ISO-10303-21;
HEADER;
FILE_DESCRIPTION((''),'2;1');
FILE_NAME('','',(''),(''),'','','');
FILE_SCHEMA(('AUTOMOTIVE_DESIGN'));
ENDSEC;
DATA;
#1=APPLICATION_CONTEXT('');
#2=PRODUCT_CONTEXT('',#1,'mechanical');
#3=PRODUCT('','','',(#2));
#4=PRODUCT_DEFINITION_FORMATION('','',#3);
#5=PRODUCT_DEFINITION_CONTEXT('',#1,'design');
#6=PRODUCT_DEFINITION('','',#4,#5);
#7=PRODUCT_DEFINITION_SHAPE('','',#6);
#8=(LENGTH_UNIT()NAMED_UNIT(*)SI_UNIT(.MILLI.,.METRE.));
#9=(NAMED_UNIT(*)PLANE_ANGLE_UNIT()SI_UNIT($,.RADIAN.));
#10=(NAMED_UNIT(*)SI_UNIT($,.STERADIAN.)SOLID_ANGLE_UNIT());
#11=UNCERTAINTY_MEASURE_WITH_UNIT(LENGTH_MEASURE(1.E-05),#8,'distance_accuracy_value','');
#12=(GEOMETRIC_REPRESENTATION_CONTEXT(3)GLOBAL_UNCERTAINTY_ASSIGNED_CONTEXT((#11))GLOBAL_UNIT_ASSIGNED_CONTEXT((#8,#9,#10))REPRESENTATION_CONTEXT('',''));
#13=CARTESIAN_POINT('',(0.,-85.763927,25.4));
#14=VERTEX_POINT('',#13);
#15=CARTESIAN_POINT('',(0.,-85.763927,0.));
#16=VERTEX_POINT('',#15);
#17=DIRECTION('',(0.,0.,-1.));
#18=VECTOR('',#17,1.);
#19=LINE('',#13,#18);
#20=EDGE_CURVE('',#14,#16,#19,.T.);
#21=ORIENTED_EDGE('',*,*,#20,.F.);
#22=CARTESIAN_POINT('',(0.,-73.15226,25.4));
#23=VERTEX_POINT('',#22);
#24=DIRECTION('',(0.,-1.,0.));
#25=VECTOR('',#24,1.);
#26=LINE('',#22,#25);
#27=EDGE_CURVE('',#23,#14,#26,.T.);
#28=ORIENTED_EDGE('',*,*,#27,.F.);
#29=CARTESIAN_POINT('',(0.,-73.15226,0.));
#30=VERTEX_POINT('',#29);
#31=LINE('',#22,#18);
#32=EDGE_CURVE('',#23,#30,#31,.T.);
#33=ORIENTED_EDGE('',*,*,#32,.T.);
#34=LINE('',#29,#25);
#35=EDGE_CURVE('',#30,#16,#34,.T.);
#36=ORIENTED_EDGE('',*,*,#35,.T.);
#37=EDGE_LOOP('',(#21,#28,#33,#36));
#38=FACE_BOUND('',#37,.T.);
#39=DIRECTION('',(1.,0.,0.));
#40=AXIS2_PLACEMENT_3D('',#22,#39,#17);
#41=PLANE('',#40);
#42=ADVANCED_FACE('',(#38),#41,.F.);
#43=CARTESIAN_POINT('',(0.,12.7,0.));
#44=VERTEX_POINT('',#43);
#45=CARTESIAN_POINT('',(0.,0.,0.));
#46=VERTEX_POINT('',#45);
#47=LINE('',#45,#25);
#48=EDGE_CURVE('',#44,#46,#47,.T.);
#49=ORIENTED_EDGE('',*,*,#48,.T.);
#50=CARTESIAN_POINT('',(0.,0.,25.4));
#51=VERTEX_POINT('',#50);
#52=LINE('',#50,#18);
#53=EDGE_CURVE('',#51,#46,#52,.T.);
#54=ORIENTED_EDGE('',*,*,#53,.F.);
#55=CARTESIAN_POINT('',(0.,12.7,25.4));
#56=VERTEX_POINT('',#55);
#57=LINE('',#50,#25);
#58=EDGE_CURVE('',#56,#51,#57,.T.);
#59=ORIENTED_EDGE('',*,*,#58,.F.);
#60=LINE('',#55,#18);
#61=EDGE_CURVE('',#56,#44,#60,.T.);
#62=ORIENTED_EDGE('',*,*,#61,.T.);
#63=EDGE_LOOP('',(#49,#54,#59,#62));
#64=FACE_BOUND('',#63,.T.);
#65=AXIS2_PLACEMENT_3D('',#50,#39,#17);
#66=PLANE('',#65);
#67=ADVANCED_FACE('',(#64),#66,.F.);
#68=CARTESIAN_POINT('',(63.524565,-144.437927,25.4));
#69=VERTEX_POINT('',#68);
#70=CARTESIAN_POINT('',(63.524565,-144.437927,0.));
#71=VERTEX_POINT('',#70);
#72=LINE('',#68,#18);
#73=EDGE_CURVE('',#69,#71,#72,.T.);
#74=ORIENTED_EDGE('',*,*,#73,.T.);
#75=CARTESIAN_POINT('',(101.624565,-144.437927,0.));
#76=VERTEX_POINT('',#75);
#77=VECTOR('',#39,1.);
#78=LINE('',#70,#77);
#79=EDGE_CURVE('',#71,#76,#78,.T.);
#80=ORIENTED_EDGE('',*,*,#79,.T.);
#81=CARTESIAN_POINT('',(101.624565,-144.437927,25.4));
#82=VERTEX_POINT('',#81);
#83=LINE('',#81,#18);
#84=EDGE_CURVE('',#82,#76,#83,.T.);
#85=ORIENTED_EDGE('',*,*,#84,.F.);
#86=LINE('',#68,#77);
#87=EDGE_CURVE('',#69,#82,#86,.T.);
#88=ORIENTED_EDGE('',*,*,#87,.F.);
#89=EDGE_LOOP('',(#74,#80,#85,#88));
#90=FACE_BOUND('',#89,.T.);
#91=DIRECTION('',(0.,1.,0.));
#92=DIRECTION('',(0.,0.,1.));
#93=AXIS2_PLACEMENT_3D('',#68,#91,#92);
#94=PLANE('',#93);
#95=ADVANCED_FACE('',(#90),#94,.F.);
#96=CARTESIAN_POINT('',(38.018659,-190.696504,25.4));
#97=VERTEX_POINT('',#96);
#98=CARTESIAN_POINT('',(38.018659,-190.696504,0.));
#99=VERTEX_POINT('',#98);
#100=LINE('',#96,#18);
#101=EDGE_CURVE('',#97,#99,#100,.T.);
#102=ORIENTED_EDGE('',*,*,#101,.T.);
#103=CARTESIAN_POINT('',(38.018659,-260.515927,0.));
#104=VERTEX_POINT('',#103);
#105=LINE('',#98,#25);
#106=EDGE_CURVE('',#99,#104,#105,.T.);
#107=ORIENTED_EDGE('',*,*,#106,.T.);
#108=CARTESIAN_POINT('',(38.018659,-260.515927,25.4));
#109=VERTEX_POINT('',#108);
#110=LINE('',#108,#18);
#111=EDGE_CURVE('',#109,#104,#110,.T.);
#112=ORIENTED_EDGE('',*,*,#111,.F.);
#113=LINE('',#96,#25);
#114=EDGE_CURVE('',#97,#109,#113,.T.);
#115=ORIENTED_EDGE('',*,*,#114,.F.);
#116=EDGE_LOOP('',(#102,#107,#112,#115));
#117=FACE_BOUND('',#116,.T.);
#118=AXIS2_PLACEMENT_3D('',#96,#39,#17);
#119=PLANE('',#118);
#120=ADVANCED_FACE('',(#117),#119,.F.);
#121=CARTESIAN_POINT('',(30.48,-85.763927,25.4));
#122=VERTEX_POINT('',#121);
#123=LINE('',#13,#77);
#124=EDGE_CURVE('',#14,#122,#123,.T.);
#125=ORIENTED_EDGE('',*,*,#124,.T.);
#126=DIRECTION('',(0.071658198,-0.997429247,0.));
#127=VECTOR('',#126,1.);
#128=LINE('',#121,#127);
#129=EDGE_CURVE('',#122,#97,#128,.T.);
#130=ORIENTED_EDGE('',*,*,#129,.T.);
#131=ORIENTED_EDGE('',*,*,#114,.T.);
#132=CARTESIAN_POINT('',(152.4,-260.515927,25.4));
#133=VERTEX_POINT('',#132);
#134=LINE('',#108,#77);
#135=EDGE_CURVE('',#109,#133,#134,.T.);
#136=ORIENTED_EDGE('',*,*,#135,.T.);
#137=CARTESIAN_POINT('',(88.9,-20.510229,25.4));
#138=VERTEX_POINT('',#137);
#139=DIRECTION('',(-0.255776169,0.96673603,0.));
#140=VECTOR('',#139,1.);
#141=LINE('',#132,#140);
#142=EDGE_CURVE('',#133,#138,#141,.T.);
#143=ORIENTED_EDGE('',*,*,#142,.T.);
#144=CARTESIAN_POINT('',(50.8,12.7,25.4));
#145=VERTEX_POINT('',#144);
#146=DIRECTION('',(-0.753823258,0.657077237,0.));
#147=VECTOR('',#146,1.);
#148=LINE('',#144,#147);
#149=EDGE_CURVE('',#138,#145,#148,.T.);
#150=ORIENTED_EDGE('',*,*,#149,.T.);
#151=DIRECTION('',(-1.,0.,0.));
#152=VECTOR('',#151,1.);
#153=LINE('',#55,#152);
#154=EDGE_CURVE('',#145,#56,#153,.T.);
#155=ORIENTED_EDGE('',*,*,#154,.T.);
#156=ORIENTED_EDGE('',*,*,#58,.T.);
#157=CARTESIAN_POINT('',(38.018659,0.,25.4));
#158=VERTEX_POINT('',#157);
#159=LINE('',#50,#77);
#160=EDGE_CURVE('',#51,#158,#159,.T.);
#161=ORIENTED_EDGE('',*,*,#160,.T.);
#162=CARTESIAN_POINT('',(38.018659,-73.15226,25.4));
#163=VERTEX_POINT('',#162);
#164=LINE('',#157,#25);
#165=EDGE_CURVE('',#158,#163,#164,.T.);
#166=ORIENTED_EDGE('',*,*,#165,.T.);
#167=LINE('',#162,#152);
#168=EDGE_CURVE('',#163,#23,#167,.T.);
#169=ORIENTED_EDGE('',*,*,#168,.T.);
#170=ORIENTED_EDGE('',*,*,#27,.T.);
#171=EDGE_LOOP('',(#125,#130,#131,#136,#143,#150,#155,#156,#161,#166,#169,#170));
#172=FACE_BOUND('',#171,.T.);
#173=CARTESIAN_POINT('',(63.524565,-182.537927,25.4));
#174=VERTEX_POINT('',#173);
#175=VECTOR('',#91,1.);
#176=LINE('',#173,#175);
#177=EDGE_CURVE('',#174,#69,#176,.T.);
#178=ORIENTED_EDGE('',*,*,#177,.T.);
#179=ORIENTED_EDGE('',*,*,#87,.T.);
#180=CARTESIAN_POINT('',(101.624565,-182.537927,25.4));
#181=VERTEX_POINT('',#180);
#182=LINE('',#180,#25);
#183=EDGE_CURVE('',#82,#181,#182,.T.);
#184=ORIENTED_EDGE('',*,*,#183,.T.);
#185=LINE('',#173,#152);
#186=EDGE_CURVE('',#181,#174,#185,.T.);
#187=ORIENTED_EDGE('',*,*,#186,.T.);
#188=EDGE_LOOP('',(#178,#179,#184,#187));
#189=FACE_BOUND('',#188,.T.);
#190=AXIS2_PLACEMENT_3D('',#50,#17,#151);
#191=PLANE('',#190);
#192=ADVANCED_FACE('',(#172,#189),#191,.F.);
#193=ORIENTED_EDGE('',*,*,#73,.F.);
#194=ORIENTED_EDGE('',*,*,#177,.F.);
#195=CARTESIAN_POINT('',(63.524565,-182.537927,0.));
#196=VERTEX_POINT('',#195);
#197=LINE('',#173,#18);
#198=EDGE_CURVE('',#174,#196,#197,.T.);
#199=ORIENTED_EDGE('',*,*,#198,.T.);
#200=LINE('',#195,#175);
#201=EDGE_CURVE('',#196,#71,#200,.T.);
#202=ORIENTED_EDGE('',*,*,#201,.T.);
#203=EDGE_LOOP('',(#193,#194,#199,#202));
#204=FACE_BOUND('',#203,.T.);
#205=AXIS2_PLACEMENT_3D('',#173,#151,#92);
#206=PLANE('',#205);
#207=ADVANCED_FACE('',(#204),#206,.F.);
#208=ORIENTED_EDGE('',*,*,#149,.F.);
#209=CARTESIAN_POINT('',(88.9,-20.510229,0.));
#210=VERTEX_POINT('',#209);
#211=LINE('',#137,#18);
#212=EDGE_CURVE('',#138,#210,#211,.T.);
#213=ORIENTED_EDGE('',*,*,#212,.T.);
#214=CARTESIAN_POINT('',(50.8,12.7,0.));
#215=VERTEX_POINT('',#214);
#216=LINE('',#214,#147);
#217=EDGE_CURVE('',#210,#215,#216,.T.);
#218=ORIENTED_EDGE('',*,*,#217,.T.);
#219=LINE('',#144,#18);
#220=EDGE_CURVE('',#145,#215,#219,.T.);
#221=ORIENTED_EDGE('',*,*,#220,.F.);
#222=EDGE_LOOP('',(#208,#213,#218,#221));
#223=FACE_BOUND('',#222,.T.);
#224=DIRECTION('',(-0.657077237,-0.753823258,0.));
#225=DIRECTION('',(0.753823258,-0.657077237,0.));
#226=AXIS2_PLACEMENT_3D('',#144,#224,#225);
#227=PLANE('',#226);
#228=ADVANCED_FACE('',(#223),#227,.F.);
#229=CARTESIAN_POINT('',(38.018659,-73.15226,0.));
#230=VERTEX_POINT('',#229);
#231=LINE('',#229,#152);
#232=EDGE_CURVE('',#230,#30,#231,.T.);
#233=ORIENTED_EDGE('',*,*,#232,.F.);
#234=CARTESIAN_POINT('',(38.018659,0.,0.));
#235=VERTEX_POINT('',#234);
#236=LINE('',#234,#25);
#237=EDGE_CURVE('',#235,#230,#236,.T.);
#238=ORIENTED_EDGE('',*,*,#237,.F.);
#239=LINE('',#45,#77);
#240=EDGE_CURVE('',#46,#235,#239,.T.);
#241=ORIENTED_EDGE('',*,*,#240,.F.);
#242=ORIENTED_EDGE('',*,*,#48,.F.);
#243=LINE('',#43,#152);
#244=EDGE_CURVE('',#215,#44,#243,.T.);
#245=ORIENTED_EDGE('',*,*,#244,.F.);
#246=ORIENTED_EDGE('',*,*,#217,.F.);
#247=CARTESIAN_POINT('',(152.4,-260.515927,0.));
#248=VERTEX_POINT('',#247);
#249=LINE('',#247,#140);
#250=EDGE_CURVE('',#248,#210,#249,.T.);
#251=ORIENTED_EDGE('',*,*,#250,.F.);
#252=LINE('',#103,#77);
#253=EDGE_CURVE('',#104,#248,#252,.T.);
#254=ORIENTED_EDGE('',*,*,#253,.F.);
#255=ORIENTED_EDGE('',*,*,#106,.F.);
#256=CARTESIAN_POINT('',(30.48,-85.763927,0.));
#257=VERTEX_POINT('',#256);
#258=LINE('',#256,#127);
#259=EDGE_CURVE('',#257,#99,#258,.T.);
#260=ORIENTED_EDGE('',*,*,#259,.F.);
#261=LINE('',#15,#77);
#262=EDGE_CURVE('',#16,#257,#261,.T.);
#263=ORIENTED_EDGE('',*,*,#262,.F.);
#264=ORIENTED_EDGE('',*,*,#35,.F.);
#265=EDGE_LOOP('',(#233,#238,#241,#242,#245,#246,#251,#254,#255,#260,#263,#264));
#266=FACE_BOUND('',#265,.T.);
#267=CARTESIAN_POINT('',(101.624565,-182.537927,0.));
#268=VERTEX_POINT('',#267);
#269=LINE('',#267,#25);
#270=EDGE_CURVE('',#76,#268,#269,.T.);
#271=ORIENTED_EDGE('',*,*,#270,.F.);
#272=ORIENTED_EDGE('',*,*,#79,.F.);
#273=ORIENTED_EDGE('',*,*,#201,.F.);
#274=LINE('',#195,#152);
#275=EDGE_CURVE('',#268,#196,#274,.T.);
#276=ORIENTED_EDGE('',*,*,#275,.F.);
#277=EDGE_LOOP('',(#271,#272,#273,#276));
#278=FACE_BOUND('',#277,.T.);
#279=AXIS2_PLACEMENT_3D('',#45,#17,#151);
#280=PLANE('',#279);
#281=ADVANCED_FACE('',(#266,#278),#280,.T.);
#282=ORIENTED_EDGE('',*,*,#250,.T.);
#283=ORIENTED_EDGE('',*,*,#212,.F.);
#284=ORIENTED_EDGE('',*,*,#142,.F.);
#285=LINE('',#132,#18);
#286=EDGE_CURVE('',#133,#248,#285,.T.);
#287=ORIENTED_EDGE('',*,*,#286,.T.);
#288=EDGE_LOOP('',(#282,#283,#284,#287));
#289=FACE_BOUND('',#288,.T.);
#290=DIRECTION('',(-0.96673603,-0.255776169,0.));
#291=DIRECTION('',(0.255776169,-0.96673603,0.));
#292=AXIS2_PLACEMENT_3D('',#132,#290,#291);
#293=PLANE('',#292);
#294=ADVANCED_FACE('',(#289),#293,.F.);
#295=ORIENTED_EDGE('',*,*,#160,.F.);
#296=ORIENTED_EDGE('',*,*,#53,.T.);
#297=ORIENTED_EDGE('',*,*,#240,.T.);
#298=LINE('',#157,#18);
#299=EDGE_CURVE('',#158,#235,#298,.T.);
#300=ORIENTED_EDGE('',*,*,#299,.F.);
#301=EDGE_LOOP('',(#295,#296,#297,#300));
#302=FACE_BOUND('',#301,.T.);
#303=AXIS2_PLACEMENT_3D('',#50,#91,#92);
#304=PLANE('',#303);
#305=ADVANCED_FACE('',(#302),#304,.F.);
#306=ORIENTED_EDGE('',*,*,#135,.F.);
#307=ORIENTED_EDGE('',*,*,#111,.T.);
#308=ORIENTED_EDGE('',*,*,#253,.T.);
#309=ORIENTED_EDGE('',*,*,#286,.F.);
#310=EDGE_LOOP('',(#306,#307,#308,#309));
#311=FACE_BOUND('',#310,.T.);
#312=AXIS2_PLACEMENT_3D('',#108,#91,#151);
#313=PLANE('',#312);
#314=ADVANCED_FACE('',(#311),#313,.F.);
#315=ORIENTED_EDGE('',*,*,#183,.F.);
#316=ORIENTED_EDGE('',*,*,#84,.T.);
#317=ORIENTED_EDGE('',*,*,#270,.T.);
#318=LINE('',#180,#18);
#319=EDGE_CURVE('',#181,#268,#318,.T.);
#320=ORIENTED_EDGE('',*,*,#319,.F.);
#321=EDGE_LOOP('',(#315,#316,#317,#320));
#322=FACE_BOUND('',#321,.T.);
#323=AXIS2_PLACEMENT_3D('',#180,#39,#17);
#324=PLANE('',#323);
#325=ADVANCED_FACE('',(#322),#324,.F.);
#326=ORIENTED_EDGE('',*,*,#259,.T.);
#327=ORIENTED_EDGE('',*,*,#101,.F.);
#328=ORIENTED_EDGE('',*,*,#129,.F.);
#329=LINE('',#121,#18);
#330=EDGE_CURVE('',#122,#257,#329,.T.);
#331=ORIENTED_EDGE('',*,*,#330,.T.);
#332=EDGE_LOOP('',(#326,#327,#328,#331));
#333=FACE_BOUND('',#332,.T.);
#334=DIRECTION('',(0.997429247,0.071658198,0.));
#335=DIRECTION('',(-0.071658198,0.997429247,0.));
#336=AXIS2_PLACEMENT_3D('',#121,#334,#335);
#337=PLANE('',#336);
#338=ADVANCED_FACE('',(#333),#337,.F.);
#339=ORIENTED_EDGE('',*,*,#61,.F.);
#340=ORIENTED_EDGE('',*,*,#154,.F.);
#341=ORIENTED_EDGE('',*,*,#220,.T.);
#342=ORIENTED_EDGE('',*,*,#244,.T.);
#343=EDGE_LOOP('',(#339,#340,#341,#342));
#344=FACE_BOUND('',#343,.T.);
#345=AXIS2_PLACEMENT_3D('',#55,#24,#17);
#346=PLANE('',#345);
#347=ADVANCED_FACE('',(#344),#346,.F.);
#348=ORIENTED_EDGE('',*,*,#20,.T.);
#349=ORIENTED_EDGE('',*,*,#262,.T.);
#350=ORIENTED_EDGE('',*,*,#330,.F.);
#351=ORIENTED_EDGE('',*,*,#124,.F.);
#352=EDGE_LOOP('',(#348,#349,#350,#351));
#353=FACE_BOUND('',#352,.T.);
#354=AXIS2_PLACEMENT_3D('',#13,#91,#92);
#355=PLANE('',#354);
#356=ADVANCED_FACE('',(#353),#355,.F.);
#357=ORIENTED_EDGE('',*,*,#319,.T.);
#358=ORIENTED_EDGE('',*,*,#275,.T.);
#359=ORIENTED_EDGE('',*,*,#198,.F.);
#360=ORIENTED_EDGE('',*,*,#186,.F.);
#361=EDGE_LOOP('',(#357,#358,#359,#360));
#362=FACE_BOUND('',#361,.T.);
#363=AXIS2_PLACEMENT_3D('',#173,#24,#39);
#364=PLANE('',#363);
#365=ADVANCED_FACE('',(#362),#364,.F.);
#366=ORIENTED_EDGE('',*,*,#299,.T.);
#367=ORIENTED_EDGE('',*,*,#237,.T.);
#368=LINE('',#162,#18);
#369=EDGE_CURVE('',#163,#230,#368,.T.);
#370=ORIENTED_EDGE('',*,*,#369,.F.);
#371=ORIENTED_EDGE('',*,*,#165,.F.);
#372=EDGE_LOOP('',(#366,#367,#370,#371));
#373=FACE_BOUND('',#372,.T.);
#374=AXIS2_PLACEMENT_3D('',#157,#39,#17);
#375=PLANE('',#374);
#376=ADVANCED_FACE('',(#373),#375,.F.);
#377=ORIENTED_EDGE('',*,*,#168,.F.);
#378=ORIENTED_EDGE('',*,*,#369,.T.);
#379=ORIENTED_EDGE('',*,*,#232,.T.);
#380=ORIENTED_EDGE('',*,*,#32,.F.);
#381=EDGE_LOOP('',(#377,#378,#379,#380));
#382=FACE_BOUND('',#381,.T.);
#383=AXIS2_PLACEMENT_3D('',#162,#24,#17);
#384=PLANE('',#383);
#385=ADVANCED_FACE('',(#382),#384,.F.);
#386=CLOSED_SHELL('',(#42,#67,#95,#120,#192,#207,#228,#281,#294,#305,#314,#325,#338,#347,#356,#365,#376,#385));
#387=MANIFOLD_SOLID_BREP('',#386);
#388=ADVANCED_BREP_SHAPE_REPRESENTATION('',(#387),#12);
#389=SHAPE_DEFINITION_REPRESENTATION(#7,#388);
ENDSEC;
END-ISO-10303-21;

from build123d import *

# Parameters (mm, degrees)
BOSS_EXTRUDE1_DEPTH = 25.4
SKETCH2_W           = 38.1
SKETCH2_H           = 38.1
CUT_EXTRUDE1_DEPTH  = 303.885239179


with BuildPart() as part:
    # Sketch1 → Boss-Extrude1 (new body)
    with BuildSketch(Plane.XY):
        Polygon((0, 0), (0, 12.7), (50.8, 12.7), (88.9, -20.510228633), (152.4, -260.515926793), (38.018659419, -260.515926793), (38.018659419, -190.696503564), (30.48, -85.763926793), (0, -85.763926793), (0, -73.152260366), (38.018659419, -73.152260366), (38.018659419, 0), align=None)
    extrude(amount=BOSS_EXTRUDE1_DEPTH)

    # Sketch2 → Cut-Extrude1 (cut, through all)
    with BuildSketch(Plane(origin=(0, 0, 0), x_dir=(-1, 0, 0), z_dir=(0, 0, -1))):
        with Locations((-82.574564704, -163.487926793)):
            Rectangle(SKETCH2_W, SKETCH2_H)
    extrude(amount=-CUT_EXTRUDE1_DEPTH, mode=Mode.SUBTRACT)


solid = part.part
